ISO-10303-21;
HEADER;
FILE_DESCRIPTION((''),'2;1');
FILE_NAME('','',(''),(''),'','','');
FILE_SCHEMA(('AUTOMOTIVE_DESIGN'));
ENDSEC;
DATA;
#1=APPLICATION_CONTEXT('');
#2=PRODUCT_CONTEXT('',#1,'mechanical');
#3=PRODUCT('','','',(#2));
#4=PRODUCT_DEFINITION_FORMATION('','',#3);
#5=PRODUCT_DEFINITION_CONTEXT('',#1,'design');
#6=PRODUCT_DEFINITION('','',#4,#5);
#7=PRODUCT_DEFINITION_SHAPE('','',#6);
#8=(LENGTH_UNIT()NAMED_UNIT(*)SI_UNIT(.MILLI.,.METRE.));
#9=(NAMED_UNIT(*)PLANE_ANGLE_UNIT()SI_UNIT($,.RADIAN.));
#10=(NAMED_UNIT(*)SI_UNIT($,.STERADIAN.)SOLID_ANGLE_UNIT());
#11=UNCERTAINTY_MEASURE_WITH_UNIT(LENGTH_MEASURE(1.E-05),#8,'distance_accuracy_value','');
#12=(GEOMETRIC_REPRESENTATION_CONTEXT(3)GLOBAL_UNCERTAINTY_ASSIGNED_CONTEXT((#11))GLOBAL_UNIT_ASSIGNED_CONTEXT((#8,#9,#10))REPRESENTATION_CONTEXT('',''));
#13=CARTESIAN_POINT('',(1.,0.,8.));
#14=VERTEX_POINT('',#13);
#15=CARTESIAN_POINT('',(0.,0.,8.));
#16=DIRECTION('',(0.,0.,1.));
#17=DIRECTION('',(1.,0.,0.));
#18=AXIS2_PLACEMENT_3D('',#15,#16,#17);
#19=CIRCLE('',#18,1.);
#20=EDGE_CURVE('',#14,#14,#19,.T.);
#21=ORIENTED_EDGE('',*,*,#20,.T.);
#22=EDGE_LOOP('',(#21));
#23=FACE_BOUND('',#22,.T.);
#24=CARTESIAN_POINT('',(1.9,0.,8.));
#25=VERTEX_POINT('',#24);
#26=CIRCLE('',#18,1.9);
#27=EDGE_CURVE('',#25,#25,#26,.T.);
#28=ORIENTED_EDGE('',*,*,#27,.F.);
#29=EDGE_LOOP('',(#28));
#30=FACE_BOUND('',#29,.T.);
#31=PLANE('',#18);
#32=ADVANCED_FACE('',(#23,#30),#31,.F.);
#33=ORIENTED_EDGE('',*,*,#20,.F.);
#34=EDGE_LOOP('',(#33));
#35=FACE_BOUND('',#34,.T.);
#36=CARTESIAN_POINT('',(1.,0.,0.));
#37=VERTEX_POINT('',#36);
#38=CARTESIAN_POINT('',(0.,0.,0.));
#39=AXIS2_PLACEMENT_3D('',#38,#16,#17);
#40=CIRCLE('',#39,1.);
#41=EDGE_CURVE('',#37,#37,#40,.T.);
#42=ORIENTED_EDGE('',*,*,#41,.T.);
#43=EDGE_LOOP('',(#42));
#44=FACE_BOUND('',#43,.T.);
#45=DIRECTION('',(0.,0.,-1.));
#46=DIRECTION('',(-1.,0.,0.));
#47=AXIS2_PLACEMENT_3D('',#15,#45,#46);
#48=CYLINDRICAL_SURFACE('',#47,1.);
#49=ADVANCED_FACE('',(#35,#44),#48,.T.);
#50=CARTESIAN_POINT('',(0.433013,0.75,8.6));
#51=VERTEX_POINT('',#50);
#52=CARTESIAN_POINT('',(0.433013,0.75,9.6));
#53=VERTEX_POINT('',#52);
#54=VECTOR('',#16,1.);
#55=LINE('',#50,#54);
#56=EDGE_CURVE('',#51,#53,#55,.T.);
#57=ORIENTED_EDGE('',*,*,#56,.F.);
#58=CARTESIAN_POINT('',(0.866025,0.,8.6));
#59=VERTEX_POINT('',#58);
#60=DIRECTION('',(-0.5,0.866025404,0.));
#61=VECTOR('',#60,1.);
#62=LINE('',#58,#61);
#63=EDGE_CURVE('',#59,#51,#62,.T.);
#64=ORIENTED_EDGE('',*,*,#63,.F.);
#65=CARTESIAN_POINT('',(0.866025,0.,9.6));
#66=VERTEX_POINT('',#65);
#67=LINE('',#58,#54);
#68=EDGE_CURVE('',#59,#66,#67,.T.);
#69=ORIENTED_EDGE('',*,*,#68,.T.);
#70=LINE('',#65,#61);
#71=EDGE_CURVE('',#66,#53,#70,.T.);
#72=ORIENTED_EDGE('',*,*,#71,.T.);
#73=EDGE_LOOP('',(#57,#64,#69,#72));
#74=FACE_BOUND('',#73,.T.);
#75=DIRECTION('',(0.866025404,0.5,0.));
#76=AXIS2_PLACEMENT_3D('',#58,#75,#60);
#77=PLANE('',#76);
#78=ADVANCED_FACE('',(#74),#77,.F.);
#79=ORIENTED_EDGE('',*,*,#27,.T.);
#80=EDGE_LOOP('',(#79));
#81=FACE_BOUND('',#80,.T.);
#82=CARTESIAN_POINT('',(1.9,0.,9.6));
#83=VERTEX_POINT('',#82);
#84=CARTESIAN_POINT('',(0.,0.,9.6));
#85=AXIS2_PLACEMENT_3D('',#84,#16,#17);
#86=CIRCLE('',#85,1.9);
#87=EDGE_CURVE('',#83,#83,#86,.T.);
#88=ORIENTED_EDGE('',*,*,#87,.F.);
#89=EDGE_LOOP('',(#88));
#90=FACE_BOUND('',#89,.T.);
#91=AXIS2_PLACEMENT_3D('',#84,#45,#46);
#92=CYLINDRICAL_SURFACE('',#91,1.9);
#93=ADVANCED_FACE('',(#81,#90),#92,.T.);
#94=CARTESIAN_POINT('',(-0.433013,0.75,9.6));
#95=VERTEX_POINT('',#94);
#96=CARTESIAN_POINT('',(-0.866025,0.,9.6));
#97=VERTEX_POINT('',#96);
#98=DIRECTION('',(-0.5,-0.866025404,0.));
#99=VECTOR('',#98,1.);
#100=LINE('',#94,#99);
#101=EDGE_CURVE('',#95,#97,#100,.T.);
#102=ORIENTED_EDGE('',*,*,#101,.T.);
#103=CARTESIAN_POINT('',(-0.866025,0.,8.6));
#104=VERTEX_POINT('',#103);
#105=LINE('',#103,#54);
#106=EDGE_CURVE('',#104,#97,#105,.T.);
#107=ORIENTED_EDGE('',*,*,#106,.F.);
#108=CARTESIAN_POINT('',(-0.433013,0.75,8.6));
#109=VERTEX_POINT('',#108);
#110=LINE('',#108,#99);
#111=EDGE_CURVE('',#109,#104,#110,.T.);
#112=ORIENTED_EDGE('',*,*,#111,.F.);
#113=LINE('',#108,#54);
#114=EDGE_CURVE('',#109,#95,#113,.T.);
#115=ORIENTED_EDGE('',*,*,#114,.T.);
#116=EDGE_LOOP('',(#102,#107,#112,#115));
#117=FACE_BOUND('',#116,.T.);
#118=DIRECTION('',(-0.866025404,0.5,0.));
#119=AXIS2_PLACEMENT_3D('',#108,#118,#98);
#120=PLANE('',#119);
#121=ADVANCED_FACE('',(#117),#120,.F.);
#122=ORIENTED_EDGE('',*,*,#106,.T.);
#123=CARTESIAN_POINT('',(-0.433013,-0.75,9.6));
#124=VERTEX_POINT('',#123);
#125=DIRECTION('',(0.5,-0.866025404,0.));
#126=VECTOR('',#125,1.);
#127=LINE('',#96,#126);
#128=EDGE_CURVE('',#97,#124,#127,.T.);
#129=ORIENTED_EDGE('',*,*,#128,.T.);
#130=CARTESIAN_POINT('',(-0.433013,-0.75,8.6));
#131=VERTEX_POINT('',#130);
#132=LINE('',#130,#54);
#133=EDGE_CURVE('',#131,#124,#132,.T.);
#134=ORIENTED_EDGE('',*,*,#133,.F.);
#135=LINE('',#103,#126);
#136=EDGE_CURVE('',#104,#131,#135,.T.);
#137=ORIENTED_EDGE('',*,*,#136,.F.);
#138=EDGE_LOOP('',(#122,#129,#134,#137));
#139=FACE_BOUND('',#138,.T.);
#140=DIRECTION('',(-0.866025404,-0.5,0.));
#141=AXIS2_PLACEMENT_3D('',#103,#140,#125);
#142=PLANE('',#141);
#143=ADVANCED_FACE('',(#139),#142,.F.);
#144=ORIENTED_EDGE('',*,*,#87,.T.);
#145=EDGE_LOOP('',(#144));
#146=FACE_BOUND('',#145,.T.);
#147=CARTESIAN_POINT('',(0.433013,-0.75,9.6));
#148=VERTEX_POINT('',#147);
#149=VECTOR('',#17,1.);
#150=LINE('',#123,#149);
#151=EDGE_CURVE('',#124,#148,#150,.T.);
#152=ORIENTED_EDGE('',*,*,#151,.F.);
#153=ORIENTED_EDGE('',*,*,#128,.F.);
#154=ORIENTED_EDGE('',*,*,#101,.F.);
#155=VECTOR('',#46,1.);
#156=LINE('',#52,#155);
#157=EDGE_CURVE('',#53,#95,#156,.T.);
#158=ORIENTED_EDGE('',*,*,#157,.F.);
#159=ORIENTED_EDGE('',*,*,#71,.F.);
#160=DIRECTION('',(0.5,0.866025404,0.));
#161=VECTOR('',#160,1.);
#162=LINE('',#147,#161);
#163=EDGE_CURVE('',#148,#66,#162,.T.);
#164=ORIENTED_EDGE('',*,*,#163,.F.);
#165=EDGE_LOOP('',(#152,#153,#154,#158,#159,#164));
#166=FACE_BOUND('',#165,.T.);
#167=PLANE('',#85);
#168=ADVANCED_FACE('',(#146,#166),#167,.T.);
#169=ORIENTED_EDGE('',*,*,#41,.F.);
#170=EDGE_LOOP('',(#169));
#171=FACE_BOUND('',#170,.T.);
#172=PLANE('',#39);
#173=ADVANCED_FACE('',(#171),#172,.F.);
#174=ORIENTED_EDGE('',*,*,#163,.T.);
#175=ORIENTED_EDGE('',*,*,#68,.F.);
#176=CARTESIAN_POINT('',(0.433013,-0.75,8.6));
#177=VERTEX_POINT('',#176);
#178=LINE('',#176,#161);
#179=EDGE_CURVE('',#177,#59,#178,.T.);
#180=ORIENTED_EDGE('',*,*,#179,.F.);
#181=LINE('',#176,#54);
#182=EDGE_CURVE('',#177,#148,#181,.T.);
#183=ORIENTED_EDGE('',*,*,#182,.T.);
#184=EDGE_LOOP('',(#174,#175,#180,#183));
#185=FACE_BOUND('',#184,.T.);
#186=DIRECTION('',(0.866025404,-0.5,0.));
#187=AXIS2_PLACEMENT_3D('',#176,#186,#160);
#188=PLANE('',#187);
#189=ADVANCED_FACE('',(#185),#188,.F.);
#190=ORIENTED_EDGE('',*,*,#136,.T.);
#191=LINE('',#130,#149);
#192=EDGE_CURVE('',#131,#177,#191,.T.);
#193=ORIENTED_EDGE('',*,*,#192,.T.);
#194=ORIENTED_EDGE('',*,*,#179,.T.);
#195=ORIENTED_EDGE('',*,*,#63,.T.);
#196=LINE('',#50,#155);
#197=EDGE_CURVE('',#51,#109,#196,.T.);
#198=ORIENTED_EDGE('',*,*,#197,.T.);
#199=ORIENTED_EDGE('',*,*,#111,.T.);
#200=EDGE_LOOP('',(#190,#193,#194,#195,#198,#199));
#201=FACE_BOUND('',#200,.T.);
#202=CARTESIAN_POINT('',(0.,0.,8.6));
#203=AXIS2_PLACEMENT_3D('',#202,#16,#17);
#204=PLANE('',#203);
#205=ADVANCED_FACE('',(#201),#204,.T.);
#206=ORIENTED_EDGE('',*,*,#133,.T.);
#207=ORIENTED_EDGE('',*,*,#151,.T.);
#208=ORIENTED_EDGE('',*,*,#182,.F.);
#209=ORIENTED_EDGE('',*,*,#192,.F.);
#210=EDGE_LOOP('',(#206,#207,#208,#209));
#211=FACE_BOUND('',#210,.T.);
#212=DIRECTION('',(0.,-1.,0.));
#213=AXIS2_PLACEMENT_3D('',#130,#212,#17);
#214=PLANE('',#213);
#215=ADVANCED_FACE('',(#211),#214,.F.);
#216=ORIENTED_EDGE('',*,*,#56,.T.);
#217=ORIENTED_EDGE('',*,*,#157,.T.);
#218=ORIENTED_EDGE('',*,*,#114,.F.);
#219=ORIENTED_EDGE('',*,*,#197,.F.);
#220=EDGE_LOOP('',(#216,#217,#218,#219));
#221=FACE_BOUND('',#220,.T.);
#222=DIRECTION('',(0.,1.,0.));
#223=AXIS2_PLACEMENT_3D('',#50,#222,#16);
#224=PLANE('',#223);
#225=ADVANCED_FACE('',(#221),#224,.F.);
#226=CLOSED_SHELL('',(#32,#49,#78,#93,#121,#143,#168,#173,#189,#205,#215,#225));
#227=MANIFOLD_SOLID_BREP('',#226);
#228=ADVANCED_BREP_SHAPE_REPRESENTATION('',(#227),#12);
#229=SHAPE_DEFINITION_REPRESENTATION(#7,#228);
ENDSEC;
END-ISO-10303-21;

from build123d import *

# Parameters (mm, degrees)
ESQUISSE1_R             = 1
BOSS_EXTRU_1_DEPTH      = 8
ESQUISSE2_R             = 1.9
BOSS_EXTRU_2_DEPTH      = 1.6
ENL_V_MAT_EXTRU_1_DEPTH = 1


with BuildPart() as part:
    # Esquisse1 → Boss.-Extru.1 (new body)
    with BuildSketch(Plane.XY):
        Circle(ESQUISSE1_R)
    extrude(amount=BOSS_EXTRU_1_DEPTH)

    # Esquisse2 → Boss.-Extru.2 (add)
    with BuildSketch(Plane.XY.offset(8)):
        Circle(ESQUISSE2_R)
    extrude(amount=BOSS_EXTRU_2_DEPTH)

    # Esquisse3 → Enlèv. mat.-Extru.1 (cut)
    with BuildSketch(Plane.XY.offset(9.6)):
        Polygon((0.866025404, 0), (0.433012702, 0.75), (-0.433012702, 0.75), (-0.866025404, 0), (-0.433012702, -0.75), (0.433012702, -0.75), align=None)
    extrude(amount=-ENL_V_MAT_EXTRU_1_DEPTH, mode=Mode.SUBTRACT)


solid = part.part
